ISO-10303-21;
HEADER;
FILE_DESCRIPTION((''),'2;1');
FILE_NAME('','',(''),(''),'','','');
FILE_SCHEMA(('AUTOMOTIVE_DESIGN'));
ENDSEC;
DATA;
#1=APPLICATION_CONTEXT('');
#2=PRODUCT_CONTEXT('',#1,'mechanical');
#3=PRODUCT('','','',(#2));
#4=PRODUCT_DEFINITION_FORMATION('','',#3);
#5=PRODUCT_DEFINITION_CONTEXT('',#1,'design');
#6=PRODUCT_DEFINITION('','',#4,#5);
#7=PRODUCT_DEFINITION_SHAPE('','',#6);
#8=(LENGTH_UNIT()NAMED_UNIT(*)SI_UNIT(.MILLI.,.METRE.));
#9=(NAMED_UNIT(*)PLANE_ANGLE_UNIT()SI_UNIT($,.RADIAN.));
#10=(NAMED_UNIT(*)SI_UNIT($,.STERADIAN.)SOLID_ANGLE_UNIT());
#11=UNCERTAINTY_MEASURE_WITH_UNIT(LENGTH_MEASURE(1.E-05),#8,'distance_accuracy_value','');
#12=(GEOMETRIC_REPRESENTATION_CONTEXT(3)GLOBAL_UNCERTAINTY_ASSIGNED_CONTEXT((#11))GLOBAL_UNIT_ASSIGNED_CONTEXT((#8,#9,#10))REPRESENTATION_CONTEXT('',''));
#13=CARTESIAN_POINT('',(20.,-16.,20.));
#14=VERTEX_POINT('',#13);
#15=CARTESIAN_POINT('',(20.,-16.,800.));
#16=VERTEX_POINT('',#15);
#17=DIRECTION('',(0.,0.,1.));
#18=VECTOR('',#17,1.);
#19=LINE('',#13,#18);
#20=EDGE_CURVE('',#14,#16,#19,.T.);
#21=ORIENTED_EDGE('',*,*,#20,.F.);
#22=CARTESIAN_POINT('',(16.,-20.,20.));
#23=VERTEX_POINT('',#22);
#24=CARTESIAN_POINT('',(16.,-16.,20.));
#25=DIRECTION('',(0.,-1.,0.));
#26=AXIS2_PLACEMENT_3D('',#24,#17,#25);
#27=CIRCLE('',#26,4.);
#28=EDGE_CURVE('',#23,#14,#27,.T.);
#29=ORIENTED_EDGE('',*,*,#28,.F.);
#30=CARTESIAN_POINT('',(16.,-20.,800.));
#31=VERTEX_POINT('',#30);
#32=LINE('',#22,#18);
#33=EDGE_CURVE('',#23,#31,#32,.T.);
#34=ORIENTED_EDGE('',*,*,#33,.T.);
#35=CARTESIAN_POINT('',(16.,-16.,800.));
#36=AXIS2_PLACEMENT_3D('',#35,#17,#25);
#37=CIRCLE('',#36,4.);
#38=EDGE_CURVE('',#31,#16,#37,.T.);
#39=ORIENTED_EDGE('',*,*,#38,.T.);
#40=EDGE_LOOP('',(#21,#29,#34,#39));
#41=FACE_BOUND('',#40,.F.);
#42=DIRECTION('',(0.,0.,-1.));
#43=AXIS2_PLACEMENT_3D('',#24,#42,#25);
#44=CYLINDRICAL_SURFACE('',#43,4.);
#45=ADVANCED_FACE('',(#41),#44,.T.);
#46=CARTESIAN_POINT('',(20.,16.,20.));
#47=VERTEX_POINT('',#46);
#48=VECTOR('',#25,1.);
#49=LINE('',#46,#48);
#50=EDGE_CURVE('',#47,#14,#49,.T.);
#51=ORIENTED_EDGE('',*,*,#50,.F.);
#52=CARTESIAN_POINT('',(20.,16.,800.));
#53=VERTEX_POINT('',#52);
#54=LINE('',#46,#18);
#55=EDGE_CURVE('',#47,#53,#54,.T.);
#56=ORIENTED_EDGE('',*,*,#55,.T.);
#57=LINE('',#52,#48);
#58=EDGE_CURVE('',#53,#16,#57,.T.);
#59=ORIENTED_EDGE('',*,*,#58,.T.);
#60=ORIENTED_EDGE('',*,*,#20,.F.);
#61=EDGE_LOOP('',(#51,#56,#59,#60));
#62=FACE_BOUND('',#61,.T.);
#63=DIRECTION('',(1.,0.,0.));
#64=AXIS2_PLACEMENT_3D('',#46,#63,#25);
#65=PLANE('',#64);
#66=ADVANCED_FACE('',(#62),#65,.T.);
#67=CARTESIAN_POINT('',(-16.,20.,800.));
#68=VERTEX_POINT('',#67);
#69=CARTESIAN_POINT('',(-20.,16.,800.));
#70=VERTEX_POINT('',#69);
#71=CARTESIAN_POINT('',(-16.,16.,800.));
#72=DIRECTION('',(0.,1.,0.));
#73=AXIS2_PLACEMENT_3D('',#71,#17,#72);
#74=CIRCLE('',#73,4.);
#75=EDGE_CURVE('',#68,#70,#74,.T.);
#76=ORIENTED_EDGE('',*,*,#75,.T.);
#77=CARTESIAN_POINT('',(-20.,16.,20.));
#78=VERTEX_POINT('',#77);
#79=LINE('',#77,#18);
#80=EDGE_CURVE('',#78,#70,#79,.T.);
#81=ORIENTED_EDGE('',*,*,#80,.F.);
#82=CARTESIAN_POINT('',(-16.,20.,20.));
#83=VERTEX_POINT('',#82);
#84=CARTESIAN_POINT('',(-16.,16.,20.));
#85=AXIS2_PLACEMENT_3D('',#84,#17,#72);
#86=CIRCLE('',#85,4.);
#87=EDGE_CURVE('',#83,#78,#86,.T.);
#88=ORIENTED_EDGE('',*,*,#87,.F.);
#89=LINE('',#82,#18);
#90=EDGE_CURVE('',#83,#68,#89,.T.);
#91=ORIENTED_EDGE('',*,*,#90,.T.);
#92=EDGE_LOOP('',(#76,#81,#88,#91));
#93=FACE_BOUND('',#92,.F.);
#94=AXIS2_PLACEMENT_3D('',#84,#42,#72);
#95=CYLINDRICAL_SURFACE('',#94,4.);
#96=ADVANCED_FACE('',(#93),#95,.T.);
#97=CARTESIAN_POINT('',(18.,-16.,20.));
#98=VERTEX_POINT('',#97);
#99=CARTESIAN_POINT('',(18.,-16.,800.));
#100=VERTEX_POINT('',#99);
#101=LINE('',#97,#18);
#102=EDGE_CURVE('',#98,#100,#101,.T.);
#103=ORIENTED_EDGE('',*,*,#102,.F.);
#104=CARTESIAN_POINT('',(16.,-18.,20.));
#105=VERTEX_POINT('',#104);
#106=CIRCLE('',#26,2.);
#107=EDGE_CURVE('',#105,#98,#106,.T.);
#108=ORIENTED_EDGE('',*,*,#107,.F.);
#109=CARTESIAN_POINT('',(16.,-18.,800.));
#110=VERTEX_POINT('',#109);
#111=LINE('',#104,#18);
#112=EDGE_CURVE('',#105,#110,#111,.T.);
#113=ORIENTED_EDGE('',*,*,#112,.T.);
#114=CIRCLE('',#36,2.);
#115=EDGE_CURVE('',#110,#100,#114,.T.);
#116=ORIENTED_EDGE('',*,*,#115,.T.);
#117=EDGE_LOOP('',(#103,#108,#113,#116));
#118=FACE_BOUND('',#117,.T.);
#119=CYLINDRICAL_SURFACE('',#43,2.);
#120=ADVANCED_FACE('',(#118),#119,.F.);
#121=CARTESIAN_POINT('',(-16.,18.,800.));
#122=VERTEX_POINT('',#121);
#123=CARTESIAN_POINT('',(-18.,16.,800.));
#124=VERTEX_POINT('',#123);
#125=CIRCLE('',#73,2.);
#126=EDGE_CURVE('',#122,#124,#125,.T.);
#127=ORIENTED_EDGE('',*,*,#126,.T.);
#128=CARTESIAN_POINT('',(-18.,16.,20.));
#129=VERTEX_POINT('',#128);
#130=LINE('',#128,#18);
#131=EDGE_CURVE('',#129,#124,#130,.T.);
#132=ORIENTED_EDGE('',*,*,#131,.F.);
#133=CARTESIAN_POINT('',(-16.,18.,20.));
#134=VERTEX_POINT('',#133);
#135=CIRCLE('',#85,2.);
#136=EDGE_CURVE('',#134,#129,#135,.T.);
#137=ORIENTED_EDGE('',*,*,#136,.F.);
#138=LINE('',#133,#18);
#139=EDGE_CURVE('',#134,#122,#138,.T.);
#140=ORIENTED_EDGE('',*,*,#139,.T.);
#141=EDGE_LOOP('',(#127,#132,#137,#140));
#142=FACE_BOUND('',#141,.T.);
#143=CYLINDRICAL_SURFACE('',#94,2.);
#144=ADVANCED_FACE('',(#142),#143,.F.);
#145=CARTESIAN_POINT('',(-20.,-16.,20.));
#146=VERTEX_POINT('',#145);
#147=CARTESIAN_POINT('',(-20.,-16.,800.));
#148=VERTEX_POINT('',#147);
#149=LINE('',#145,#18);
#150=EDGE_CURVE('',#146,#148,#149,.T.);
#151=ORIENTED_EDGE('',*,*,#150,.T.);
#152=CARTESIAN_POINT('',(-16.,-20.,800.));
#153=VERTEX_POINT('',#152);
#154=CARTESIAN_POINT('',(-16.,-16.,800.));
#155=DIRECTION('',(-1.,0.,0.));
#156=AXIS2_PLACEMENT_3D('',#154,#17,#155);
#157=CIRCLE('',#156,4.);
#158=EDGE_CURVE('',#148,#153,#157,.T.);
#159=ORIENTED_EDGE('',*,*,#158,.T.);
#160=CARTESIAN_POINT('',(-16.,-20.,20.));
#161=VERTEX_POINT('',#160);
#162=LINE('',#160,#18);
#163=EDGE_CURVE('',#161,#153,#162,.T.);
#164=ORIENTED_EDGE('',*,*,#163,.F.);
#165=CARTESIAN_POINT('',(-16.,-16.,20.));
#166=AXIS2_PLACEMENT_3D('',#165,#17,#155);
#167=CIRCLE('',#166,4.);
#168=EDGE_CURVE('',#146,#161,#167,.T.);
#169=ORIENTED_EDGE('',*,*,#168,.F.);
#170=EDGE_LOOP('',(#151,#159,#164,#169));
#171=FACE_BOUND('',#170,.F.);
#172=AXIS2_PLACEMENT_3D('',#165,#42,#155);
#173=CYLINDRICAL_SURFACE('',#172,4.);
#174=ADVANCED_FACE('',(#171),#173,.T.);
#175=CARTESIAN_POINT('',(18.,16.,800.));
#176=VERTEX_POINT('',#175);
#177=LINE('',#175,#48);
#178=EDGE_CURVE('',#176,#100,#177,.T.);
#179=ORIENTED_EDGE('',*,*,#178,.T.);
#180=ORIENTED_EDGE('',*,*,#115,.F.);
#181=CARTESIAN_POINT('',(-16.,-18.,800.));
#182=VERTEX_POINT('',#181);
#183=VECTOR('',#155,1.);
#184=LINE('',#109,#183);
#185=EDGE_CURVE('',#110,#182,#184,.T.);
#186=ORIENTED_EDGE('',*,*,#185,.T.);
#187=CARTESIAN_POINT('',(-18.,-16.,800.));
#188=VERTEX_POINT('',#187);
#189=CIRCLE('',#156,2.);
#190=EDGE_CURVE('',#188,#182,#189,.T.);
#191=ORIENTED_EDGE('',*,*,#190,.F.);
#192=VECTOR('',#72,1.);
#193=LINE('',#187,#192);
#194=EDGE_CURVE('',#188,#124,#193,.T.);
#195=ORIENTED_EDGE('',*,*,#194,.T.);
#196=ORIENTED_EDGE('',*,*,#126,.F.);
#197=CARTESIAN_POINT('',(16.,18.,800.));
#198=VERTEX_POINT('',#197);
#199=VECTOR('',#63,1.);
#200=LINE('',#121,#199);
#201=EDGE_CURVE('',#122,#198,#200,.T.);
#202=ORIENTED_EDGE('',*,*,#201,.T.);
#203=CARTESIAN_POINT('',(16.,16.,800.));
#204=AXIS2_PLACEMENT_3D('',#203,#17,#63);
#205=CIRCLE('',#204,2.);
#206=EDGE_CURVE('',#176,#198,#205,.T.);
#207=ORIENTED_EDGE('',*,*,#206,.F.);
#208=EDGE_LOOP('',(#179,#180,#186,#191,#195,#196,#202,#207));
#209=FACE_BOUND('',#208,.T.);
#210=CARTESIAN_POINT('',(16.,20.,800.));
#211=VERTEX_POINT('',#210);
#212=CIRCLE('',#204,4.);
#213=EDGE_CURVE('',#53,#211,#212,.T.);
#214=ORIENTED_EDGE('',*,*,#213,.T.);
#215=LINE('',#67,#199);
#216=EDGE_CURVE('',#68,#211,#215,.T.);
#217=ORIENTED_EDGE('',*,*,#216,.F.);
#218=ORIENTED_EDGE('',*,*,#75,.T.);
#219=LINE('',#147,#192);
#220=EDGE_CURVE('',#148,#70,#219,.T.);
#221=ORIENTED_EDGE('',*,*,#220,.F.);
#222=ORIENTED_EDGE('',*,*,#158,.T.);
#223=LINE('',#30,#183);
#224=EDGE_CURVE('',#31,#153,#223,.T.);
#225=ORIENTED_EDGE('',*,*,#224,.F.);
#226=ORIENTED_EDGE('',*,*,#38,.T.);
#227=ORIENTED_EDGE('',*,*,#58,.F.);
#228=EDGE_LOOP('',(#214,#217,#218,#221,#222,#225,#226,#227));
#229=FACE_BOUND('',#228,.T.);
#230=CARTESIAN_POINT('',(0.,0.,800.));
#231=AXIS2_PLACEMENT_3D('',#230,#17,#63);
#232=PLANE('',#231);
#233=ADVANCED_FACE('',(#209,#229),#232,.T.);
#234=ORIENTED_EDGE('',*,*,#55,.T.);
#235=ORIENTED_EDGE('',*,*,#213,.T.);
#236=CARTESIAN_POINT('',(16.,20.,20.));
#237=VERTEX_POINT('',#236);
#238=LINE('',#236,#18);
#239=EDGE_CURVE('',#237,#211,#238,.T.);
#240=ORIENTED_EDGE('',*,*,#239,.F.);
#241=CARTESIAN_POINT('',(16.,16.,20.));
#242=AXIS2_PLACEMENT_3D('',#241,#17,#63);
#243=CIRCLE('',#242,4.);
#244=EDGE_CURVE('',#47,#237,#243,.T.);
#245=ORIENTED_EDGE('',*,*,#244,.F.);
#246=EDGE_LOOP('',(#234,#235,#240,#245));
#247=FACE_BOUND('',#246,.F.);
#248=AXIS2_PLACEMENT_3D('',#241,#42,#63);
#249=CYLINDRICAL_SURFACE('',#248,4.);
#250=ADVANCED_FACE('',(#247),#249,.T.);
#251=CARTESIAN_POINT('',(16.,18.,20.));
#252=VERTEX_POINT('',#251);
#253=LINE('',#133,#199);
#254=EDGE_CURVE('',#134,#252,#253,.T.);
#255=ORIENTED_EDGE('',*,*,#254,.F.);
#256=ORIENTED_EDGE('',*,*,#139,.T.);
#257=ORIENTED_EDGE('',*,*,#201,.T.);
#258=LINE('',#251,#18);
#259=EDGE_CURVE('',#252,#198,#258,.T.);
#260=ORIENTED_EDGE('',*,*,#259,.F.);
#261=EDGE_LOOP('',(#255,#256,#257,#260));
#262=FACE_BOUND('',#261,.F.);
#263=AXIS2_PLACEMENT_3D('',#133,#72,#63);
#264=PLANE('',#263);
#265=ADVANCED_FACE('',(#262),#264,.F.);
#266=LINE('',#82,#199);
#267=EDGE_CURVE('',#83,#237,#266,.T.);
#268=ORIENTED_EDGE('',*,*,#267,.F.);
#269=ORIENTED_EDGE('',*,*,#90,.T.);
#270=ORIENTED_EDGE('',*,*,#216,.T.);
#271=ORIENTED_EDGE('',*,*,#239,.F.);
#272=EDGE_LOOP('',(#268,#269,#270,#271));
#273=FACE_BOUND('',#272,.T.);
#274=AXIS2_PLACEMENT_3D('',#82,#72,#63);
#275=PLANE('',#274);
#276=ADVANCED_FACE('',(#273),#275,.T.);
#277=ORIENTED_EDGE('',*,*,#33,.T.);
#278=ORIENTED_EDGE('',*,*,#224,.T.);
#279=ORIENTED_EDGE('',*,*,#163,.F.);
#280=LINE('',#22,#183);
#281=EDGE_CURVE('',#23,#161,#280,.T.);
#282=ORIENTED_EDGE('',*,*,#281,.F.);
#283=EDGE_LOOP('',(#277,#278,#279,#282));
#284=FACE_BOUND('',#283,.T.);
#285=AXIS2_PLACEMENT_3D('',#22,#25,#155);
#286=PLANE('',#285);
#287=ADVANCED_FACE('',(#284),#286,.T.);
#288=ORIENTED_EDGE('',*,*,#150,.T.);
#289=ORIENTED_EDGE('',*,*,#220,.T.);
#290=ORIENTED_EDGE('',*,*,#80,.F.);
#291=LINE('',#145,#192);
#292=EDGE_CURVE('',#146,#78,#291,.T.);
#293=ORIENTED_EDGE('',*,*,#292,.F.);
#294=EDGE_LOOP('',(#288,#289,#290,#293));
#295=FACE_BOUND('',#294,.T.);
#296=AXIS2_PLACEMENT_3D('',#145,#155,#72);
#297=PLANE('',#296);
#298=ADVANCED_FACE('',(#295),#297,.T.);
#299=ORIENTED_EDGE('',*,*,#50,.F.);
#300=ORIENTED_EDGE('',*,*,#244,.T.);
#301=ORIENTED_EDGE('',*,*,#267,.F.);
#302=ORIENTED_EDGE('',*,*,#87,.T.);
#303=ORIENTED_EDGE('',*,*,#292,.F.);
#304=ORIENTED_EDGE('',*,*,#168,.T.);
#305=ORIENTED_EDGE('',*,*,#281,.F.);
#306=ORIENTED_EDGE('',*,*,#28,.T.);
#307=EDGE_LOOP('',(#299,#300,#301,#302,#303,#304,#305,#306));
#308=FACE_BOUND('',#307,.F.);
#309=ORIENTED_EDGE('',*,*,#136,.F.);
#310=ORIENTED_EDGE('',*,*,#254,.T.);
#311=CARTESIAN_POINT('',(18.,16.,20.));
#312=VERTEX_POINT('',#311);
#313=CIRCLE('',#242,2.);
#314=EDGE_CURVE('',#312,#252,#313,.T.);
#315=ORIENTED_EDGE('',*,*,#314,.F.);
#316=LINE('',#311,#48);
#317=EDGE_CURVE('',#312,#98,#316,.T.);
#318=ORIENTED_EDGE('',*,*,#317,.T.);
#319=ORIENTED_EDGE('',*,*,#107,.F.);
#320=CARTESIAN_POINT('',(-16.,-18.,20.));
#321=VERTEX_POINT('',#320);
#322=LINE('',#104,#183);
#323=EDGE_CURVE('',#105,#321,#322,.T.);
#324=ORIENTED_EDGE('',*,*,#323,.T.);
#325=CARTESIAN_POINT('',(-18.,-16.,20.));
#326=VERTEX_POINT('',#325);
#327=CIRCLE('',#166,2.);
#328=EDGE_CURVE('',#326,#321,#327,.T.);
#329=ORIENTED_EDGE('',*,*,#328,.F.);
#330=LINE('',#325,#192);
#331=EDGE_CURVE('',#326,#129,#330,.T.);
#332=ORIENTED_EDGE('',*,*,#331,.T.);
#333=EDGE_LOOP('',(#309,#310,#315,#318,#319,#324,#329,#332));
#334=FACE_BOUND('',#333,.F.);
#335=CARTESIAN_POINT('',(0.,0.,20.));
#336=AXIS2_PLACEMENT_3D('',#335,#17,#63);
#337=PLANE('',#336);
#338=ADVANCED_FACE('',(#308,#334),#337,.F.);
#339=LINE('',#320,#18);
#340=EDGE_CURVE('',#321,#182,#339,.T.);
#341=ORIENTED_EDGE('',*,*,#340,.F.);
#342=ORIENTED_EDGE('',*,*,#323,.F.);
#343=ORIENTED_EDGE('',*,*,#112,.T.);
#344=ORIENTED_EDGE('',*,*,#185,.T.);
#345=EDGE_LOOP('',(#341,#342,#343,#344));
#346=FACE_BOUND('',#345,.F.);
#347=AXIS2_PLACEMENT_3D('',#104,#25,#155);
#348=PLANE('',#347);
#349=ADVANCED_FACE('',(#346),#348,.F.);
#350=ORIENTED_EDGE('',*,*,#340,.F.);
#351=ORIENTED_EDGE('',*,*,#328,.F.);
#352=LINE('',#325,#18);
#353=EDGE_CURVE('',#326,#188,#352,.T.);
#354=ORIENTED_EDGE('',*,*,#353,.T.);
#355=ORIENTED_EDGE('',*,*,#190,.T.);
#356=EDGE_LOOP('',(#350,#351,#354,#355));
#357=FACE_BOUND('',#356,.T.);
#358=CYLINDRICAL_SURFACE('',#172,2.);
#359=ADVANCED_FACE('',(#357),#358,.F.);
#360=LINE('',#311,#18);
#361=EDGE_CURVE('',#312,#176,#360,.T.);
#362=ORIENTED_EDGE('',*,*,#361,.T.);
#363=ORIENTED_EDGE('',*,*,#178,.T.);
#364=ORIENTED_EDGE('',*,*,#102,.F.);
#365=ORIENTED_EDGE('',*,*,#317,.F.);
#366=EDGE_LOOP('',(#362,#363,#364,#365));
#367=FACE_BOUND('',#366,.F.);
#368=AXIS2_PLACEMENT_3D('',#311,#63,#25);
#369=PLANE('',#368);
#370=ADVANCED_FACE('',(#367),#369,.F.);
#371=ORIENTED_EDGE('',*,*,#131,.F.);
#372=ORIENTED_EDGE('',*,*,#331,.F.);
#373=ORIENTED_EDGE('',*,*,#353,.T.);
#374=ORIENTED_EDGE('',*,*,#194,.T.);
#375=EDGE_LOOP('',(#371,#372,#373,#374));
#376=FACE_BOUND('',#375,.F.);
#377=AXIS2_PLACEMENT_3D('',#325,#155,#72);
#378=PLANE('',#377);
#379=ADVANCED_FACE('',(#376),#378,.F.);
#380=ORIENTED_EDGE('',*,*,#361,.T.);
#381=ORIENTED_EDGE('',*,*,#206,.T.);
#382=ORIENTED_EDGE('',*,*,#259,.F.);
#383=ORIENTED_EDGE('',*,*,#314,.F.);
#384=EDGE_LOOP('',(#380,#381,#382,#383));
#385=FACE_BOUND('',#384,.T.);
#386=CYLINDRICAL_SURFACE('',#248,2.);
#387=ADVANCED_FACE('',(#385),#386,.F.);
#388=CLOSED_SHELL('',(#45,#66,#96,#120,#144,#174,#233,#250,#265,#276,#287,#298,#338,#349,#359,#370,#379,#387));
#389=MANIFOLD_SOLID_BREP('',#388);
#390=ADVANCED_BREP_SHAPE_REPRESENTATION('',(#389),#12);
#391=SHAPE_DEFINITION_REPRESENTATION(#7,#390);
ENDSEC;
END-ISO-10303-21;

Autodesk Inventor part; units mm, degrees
ref_plane "Start Plane" through (0, 0, 20) normal (0, 0, 1) x (1, 0, 0)
ref_plane "End Plane" through (0, 0, 800) normal (0, 0, 1) x (1, 0, 0)
sketch "Sketch" plane through (0, 0, 0) normal (0, 0, 1) x (1, 0, 0)
  line L0 (-20, -16) -> (-20, 16)
  line L1 (-16, 20) -> (16, 20)
  line L2 (20, 16) -> (20, -16)
  line L3 (16, -20) -> (-16, -20)
  arc A0 (-20, -16) -> (-16, -20) centre (-16, -16) ccw
  arc A1 (20, 16) -> (16, 20) centre (16, 16) ccw
  arc A2 (-16, 20) -> (-20, 16) centre (-16, 16) ccw
  arc A3 (16, -20) -> (20, -16) centre (16, -16) ccw
  arc A4 (-16, 18) -> (-18, 16) centre (-16, 16) ccw
  line L4 (-16, 18) -> (16, 18)
  arc A5 (18, 16) -> (16, 18) centre (16, 16) ccw
  line L5 (18, 16) -> (18, -16)
  arc A6 (16, -18) -> (18, -16) centre (16, -16) ccw
  line L6 (16, -18) -> (-16, -18)
  arc A7 (-18, -16) -> (-16, -18) centre (-16, -16) ccw
  line L7 (-18, -16) -> (-18, 16)
  line L8 (0, 29.1598) -> (0, -29.1598) construction
  line L9 (-29.1598, 0) -> (29.1598, 0) construction
  dimension "d7" = 4
  dimension "d9" = 40
  dimension "d11" = 40
  dimension "d12" = 2
  dimension "d15" = 20
  dimension "d16" = 20
extrude "Body" add sketch "Sketch" along normal up to surface (780 mm away) from surface at 20
sketch "Sketch3" plane through (0, 0, 0) normal (0, 0, 1) x (1, 0, 0)
  line L0 (0, 0) -> (10, 0)
ref_plane "Work Plane3" through (0, 0, 0) normal (0, -1, 0) x (1, 0, 0)
sketch "Sketch4" plane through (0, 0, 0) normal (0, -1, 0) x (1, 0, 0)
  line L0 (-2, 20) -> (12, 20)
  line L1 (-2, 800) -> (12, 800)
  dimension "d18" = 780
ref_plane "Work Plane4" through (8, -13.8564, 20) normal (0, 0, -1) x (-1, 0, 0)
split "Split1" plane through (8, -13.8564, 20) removes the side toward (0, 0, -1)
equation "\"d7\" = G_IR"
equation "\"d9\" = G_W"
equation "\"d11\" = G_H"
equation "\"d12\" = G_T"
equation "\"d15\" = 0.5 * d9"
equation "\"d16\" = 0.5 * d11"
equation "\"d3\" = G_L"
equation "\"G_W\" = 40"
equation "\"G_H\" = 40"
equation "\"G_T\" = 2"
equation "\"G_IR\" = 4"
equation "\"G_L\" = d18"
equation "\"G_OFFSET_END\" = 0"
properties part number "ISO 10799-2 - 40x40x2 - 780" material "Steel, Mild"
